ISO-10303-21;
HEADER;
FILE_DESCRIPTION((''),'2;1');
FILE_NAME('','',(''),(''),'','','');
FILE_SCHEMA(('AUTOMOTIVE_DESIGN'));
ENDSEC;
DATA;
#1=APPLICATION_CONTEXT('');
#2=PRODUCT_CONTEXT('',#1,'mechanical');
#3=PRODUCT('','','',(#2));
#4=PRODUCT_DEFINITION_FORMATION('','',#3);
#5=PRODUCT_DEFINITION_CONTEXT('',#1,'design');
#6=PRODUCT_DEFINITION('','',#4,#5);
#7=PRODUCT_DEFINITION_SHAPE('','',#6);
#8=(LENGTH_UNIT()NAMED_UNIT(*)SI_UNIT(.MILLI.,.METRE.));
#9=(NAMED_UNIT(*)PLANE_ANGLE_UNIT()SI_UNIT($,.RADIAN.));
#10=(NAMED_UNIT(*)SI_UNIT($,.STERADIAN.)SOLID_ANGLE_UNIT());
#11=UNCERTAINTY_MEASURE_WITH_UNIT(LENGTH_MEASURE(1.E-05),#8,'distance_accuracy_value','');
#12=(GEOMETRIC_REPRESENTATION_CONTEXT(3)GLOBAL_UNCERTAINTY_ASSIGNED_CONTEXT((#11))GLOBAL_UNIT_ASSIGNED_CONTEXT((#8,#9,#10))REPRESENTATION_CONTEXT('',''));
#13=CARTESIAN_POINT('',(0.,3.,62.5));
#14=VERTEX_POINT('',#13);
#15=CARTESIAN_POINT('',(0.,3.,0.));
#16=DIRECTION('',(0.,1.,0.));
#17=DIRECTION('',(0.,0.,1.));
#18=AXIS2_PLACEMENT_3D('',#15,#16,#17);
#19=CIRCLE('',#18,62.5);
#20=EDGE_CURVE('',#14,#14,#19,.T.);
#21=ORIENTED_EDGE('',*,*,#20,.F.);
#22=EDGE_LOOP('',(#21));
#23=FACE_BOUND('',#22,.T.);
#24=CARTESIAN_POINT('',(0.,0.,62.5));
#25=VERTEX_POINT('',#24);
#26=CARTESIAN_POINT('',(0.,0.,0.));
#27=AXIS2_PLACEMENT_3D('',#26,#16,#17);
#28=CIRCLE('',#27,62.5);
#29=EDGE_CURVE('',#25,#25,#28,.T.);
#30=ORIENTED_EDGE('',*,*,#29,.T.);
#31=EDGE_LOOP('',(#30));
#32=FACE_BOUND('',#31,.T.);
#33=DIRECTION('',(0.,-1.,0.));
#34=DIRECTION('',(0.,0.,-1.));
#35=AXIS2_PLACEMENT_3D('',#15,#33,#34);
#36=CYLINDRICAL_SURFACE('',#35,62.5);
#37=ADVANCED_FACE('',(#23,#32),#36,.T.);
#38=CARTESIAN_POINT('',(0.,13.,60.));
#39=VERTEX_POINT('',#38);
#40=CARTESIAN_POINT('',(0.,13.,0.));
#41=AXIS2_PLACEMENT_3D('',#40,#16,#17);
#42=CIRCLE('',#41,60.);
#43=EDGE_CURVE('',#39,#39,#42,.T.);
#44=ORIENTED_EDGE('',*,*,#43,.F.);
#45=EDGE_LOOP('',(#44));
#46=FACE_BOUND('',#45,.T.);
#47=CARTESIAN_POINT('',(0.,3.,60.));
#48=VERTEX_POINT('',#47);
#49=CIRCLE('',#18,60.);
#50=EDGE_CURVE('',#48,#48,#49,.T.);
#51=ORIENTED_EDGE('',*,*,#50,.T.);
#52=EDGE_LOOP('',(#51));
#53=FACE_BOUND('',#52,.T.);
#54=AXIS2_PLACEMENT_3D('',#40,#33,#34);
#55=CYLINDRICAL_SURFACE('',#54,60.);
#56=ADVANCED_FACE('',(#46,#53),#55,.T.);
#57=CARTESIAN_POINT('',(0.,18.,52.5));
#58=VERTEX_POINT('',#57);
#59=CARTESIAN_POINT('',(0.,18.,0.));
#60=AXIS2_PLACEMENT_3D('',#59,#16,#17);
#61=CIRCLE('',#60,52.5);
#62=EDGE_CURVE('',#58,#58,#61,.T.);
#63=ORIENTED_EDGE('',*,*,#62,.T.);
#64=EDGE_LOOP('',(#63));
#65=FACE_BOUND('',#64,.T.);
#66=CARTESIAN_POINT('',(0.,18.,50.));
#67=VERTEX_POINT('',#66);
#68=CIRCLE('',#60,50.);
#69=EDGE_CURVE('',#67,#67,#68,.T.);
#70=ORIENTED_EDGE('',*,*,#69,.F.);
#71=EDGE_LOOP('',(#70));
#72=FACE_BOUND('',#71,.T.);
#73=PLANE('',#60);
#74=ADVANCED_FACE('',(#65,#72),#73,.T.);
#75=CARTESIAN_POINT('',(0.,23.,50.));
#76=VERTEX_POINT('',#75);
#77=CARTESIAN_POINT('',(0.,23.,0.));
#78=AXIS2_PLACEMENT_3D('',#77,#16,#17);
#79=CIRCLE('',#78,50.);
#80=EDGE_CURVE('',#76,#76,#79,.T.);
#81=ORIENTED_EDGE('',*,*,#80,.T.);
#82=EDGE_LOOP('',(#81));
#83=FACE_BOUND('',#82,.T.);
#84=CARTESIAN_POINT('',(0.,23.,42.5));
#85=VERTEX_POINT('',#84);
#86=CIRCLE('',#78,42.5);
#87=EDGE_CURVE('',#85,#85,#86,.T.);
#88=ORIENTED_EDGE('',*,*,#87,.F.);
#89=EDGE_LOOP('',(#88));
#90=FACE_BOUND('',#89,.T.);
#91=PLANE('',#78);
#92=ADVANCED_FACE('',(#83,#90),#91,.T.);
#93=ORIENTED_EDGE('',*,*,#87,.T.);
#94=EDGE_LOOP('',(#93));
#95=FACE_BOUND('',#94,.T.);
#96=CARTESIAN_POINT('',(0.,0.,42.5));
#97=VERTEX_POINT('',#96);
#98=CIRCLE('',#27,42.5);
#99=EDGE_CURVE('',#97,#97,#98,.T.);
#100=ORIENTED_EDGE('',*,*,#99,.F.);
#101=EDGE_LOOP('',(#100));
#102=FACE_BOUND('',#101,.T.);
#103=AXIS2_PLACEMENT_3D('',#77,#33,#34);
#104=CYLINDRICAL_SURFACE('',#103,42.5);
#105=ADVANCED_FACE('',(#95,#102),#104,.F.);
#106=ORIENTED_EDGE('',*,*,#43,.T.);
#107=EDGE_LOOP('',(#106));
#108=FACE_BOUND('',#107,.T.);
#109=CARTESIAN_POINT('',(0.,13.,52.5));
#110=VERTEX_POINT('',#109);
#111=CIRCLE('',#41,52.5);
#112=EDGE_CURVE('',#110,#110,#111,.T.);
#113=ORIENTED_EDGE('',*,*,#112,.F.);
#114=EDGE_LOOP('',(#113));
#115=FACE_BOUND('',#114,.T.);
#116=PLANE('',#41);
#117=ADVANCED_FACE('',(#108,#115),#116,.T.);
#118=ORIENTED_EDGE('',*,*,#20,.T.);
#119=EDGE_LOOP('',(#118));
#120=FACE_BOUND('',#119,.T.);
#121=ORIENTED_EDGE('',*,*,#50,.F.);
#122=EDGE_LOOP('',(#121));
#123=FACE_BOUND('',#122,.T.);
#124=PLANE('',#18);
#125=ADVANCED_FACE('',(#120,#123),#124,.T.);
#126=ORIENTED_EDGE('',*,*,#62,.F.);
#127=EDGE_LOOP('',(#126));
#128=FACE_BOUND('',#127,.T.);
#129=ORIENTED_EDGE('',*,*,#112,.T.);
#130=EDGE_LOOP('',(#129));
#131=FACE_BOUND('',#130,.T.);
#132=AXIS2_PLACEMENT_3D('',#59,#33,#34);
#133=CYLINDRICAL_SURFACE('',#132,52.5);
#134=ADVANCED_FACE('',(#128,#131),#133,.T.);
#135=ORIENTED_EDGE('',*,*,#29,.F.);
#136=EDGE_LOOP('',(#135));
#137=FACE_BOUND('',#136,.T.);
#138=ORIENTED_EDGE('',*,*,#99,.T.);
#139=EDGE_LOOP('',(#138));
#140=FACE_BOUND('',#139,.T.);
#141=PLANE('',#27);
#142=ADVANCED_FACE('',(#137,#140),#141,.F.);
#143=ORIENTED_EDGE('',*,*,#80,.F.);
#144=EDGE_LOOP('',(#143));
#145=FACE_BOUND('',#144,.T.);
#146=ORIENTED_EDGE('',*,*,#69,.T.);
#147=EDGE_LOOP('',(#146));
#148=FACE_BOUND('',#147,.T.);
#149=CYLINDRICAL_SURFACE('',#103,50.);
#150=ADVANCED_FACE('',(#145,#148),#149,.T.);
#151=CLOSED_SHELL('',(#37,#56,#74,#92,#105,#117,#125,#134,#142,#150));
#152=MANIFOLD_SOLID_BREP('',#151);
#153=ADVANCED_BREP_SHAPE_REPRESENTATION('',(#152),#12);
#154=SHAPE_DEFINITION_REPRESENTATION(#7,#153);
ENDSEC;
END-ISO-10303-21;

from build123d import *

# Parameters (mm, degrees)
SKETCH1_R           = 62.5
BOSS_EXTRUDE1_DEPTH = 3
SKETCH2_R           = 60
SKETCH2_R_2         = 52.5
BOSS_EXTRUDE2_DEPTH = 10
SKETCH3_R           = 52.5
SKETCH3_R_2         = 50
BOSS_EXTRUDE3_DEPTH = 15
SKETCH4_R           = 50
SKETCH4_R_2         = 42.5
BOSS_EXTRUDE4_DEPTH = 20
SKETCH5_R           = 42.5
CUT_EXTRUDE1_DEPTH  = 4


with BuildPart() as part:
    # Sketch1 → Boss-Extrude1 (new body)
    with BuildSketch(Plane(origin=(0, 0, 0), x_dir=(1, 0, 0), z_dir=(0, 1, 0))):
        Circle(SKETCH1_R)
    extrude(amount=BOSS_EXTRUDE1_DEPTH)

    # Sketch2 → Boss-Extrude2 (add)
    with BuildSketch(Plane(origin=(0, 3, 0), x_dir=(1, 0, 0), z_dir=(0, 1, 0))):
        Circle(SKETCH2_R)
        Circle(SKETCH2_R_2, mode=Mode.SUBTRACT)
    extrude(amount=BOSS_EXTRUDE2_DEPTH)

    # Sketch3 → Boss-Extrude3 (add)
    with BuildSketch(Plane(origin=(0, 3, 0), x_dir=(1, 0, 0), z_dir=(0, 1, 0))):
        Circle(SKETCH3_R)
        Circle(SKETCH3_R_2, mode=Mode.SUBTRACT)
    extrude(amount=BOSS_EXTRUDE3_DEPTH)

    # Sketch4 → Boss-Extrude4 (add)
    with BuildSketch(Plane(origin=(0, 3, 0), x_dir=(1, 0, 0), z_dir=(0, 1, 0))):
        Circle(SKETCH4_R)
        Circle(SKETCH4_R_2, mode=Mode.SUBTRACT)
    extrude(amount=BOSS_EXTRUDE4_DEPTH)

    # Sketch5 → Cut-Extrude1 (cut, through all)
    with BuildSketch(Plane(origin=(0, 3, 0), x_dir=(1, 0, 0), z_dir=(0, 1, 0))):
        Circle(SKETCH5_R)
    extrude(amount=-CUT_EXTRUDE1_DEPTH, mode=Mode.SUBTRACT)


solid = part.part
